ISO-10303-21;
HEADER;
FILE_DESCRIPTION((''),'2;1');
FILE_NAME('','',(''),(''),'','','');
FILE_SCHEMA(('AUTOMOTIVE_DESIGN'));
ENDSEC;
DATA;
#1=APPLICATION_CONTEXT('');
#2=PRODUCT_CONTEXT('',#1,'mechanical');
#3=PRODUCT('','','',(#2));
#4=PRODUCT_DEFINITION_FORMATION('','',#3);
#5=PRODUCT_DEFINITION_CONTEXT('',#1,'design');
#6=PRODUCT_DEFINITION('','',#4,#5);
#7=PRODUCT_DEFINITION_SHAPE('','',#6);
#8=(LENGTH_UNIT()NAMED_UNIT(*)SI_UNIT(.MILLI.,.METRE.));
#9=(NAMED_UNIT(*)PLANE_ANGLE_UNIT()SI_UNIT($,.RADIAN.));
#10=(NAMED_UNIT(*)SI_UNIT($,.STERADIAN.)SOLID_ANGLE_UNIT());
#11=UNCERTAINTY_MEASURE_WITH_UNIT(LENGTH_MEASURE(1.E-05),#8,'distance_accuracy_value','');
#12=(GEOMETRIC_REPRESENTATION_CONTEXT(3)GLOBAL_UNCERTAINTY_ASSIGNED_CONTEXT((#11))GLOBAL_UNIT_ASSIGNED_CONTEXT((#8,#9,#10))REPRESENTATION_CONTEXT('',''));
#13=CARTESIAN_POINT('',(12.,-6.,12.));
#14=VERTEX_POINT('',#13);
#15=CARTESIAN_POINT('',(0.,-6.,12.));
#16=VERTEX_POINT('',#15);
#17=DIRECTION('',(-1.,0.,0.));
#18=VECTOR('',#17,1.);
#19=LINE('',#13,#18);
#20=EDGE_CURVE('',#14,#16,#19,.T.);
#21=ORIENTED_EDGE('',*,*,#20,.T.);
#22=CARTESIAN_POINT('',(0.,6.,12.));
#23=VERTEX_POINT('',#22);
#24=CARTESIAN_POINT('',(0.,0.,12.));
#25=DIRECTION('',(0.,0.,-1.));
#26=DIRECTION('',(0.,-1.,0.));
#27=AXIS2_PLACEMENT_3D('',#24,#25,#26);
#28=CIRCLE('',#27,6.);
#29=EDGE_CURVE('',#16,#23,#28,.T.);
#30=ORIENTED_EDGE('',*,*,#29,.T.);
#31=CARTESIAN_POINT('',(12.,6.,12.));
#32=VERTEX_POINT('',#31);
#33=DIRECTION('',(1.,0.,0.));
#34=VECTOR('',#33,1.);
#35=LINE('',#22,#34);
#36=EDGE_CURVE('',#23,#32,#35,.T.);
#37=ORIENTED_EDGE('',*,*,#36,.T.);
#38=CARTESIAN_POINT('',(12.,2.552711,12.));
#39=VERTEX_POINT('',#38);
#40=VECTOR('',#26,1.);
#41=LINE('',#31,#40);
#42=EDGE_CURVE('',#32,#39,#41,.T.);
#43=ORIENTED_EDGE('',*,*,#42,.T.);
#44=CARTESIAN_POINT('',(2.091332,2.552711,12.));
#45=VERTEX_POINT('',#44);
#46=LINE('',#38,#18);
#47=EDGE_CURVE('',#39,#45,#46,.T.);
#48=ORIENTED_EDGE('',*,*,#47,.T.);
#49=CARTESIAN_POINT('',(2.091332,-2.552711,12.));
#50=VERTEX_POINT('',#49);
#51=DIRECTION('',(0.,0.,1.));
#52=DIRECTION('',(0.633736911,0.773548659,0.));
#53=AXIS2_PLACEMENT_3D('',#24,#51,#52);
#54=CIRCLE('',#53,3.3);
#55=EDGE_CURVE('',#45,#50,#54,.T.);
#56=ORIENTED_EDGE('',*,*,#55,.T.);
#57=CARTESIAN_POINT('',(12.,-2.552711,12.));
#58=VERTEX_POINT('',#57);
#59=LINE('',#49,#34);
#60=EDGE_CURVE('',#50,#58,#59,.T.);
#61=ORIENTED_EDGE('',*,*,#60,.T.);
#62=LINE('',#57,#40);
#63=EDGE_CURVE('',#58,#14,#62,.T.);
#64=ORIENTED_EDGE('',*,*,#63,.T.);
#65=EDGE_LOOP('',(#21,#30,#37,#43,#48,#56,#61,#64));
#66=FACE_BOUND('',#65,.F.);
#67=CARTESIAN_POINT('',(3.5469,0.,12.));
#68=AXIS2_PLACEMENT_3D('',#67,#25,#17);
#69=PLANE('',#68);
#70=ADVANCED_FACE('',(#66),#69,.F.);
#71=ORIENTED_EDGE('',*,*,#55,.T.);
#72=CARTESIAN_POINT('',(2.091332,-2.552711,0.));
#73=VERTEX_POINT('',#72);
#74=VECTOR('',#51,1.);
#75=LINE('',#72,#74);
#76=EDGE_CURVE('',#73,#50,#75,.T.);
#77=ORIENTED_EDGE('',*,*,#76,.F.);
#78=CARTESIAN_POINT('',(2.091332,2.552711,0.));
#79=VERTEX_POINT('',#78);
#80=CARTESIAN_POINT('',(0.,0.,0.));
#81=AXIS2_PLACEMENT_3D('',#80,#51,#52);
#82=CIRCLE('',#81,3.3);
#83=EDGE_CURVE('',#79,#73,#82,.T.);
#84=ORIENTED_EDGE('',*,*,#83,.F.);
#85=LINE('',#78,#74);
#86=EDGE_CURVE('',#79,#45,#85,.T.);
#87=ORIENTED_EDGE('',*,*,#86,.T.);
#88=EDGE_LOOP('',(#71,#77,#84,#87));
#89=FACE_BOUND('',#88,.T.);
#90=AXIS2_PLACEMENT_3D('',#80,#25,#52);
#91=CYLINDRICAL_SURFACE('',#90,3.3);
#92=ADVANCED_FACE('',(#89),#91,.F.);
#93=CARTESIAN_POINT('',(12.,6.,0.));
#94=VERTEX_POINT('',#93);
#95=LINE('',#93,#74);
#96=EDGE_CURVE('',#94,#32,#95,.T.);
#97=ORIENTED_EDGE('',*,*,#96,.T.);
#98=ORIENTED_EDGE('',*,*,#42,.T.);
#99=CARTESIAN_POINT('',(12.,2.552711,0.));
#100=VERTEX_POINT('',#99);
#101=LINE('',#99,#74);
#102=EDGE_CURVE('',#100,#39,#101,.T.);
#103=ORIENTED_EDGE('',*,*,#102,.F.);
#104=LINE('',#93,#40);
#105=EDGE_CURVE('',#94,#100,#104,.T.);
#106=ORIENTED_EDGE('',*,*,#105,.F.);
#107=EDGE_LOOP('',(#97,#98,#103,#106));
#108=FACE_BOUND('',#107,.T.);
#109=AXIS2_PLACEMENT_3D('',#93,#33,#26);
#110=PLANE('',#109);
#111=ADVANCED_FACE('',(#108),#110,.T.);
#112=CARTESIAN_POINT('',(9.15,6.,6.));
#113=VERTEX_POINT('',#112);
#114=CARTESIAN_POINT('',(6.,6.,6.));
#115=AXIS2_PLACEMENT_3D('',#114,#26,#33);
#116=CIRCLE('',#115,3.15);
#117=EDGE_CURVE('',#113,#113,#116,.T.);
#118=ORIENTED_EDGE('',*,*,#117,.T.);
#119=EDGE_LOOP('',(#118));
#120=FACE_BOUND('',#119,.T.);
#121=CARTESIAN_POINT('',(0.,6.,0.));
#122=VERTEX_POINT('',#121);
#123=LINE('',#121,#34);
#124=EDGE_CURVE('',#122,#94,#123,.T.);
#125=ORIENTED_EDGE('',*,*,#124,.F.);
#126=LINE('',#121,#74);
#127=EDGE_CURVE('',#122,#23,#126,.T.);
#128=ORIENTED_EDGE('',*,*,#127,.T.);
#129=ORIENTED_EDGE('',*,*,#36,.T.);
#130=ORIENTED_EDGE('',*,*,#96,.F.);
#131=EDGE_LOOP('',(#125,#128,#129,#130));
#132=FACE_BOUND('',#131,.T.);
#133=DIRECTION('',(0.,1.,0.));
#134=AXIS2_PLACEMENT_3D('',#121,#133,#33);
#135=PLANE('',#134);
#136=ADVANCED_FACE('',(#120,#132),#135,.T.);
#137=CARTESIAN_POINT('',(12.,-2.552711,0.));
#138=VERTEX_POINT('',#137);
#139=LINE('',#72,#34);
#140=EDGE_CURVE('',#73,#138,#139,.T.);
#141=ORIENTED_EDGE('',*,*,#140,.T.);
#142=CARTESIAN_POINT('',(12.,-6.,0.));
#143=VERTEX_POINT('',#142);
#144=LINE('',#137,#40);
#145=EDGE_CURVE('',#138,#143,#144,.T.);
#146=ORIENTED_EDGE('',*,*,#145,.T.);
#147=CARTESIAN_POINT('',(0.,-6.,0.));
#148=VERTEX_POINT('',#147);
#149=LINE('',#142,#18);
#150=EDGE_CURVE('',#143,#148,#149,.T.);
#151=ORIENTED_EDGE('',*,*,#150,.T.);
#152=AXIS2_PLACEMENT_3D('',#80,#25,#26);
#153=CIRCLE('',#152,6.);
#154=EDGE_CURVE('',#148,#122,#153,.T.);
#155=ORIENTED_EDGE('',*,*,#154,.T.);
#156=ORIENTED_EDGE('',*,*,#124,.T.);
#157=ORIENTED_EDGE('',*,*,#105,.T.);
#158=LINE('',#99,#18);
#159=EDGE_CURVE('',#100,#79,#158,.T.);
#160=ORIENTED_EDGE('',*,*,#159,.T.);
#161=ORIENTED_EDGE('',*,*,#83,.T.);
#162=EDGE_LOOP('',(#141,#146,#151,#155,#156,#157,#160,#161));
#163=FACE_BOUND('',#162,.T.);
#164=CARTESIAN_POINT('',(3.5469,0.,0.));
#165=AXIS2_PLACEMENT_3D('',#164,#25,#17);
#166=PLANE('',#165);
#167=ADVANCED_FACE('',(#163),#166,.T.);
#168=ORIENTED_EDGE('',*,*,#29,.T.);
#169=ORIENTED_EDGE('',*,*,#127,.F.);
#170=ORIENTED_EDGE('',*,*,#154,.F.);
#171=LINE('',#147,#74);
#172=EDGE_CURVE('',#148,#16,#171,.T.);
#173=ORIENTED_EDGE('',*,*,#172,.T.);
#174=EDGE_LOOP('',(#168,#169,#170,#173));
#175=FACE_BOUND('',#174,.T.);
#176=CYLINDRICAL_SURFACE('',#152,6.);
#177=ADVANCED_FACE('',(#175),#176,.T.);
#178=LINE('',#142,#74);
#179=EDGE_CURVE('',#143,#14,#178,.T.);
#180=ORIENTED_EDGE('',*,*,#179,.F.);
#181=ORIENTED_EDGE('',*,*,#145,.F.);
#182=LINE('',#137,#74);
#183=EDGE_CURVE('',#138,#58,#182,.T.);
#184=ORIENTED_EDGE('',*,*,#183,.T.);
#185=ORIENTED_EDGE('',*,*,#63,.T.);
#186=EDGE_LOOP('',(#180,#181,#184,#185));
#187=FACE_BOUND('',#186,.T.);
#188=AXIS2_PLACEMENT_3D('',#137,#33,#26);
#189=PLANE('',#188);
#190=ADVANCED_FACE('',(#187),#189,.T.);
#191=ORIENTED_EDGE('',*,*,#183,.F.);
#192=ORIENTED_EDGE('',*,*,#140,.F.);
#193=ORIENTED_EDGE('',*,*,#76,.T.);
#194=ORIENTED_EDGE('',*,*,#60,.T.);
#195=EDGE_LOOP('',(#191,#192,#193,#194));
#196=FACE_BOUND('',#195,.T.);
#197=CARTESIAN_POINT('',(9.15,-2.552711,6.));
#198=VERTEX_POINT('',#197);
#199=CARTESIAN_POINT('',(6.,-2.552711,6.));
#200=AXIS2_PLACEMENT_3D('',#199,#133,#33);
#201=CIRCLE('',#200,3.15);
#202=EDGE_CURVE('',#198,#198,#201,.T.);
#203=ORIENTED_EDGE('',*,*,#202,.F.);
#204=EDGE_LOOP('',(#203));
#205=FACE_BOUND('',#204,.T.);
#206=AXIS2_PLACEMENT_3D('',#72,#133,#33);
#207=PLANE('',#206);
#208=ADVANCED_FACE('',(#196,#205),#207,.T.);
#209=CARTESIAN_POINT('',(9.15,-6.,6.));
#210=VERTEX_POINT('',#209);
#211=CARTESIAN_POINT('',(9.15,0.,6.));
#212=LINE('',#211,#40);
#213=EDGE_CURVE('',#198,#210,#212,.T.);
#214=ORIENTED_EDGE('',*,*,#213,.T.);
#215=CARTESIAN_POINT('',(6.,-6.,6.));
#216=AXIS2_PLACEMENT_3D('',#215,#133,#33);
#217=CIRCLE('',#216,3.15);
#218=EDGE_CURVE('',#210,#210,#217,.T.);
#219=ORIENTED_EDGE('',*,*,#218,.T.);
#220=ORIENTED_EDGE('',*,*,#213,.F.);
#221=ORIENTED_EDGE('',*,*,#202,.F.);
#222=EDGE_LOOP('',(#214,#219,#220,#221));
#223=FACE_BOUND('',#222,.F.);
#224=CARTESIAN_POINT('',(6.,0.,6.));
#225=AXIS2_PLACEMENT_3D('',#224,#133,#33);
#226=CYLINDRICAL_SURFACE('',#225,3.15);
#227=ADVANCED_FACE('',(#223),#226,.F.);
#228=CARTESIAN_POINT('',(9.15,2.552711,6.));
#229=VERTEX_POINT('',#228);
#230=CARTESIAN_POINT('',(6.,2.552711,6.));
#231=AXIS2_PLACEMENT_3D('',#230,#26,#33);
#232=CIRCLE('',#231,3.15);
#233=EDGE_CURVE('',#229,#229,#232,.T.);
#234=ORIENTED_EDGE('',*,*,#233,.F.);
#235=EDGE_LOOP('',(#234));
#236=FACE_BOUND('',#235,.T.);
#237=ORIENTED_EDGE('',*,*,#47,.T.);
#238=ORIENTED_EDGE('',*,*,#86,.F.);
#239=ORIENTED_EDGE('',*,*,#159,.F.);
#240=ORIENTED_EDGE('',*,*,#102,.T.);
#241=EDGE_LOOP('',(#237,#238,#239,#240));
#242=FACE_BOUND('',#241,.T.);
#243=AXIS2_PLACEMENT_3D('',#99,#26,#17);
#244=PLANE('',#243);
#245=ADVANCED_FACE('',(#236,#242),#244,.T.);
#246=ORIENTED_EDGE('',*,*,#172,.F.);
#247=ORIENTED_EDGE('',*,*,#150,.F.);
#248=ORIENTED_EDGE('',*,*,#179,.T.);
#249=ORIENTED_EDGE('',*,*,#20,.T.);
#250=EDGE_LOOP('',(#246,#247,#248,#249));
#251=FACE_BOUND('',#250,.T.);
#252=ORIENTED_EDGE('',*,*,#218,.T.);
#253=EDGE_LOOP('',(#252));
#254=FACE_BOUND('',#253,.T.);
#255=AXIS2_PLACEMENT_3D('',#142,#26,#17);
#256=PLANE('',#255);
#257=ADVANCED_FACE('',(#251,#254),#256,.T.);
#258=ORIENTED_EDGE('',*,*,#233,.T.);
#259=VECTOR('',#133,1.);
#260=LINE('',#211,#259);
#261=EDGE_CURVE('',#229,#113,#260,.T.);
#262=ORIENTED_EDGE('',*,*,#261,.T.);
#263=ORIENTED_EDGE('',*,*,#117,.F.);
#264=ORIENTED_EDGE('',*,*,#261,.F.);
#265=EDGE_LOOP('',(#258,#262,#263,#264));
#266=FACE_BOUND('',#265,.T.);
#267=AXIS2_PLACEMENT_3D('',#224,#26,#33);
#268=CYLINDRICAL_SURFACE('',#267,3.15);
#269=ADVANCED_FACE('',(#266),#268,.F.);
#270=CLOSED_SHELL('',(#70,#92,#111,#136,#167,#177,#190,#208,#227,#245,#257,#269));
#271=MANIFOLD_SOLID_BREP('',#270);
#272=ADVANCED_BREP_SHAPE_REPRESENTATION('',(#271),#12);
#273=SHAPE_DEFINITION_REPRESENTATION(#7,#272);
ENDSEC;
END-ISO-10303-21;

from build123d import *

# Parameters (mm, degrees)
BOSS_EXTRUDE1_DEPTH     = 12
SKETCH2_R               = 3.15
CUT_EXTRUDE1_DEPTH      = 7
CUT_EXTRUDE1_DEPTH_BACK = 7


with BuildPart() as part:
    # Sketch1 → Boss-Extrude1 (new body)
    with BuildSketch(Plane.XY):
        with BuildLine():
            Line((0, 6), (12, 6))
            Line((12, 6), (12, 2.552710574))
            Line((12, 2.552710574), (2.091331807, 2.552710574))
            ThreePointArc((2.091331807, 2.552710574), (-3.3, 0), (2.091331807, -2.552710574))
            Line((2.091331807, -2.552710574), (12, -2.552710574))
            Line((12, -2.552710574), (12, -6))
            Line((12, -6), (0, -6))
            ThreePointArc((0, -6), (-6, 0), (0, 6))
        make_face()
    extrude(amount=BOSS_EXTRUDE1_DEPTH)

    # Sketch2 → Cut-Extrude1 (cut, two sides)
    with BuildSketch(Plane(origin=(0, 0, 0), x_dir=(1, 0, 0), z_dir=(0, 1, 0))) as cut_extrude1_sk:
        with Locations((6, -6)):
            Circle(SKETCH2_R)
    extrude(amount=CUT_EXTRUDE1_DEPTH, mode=Mode.SUBTRACT)
    extrude(cut_extrude1_sk.sketch, amount=-CUT_EXTRUDE1_DEPTH_BACK, mode=Mode.SUBTRACT)


solid = part.part
